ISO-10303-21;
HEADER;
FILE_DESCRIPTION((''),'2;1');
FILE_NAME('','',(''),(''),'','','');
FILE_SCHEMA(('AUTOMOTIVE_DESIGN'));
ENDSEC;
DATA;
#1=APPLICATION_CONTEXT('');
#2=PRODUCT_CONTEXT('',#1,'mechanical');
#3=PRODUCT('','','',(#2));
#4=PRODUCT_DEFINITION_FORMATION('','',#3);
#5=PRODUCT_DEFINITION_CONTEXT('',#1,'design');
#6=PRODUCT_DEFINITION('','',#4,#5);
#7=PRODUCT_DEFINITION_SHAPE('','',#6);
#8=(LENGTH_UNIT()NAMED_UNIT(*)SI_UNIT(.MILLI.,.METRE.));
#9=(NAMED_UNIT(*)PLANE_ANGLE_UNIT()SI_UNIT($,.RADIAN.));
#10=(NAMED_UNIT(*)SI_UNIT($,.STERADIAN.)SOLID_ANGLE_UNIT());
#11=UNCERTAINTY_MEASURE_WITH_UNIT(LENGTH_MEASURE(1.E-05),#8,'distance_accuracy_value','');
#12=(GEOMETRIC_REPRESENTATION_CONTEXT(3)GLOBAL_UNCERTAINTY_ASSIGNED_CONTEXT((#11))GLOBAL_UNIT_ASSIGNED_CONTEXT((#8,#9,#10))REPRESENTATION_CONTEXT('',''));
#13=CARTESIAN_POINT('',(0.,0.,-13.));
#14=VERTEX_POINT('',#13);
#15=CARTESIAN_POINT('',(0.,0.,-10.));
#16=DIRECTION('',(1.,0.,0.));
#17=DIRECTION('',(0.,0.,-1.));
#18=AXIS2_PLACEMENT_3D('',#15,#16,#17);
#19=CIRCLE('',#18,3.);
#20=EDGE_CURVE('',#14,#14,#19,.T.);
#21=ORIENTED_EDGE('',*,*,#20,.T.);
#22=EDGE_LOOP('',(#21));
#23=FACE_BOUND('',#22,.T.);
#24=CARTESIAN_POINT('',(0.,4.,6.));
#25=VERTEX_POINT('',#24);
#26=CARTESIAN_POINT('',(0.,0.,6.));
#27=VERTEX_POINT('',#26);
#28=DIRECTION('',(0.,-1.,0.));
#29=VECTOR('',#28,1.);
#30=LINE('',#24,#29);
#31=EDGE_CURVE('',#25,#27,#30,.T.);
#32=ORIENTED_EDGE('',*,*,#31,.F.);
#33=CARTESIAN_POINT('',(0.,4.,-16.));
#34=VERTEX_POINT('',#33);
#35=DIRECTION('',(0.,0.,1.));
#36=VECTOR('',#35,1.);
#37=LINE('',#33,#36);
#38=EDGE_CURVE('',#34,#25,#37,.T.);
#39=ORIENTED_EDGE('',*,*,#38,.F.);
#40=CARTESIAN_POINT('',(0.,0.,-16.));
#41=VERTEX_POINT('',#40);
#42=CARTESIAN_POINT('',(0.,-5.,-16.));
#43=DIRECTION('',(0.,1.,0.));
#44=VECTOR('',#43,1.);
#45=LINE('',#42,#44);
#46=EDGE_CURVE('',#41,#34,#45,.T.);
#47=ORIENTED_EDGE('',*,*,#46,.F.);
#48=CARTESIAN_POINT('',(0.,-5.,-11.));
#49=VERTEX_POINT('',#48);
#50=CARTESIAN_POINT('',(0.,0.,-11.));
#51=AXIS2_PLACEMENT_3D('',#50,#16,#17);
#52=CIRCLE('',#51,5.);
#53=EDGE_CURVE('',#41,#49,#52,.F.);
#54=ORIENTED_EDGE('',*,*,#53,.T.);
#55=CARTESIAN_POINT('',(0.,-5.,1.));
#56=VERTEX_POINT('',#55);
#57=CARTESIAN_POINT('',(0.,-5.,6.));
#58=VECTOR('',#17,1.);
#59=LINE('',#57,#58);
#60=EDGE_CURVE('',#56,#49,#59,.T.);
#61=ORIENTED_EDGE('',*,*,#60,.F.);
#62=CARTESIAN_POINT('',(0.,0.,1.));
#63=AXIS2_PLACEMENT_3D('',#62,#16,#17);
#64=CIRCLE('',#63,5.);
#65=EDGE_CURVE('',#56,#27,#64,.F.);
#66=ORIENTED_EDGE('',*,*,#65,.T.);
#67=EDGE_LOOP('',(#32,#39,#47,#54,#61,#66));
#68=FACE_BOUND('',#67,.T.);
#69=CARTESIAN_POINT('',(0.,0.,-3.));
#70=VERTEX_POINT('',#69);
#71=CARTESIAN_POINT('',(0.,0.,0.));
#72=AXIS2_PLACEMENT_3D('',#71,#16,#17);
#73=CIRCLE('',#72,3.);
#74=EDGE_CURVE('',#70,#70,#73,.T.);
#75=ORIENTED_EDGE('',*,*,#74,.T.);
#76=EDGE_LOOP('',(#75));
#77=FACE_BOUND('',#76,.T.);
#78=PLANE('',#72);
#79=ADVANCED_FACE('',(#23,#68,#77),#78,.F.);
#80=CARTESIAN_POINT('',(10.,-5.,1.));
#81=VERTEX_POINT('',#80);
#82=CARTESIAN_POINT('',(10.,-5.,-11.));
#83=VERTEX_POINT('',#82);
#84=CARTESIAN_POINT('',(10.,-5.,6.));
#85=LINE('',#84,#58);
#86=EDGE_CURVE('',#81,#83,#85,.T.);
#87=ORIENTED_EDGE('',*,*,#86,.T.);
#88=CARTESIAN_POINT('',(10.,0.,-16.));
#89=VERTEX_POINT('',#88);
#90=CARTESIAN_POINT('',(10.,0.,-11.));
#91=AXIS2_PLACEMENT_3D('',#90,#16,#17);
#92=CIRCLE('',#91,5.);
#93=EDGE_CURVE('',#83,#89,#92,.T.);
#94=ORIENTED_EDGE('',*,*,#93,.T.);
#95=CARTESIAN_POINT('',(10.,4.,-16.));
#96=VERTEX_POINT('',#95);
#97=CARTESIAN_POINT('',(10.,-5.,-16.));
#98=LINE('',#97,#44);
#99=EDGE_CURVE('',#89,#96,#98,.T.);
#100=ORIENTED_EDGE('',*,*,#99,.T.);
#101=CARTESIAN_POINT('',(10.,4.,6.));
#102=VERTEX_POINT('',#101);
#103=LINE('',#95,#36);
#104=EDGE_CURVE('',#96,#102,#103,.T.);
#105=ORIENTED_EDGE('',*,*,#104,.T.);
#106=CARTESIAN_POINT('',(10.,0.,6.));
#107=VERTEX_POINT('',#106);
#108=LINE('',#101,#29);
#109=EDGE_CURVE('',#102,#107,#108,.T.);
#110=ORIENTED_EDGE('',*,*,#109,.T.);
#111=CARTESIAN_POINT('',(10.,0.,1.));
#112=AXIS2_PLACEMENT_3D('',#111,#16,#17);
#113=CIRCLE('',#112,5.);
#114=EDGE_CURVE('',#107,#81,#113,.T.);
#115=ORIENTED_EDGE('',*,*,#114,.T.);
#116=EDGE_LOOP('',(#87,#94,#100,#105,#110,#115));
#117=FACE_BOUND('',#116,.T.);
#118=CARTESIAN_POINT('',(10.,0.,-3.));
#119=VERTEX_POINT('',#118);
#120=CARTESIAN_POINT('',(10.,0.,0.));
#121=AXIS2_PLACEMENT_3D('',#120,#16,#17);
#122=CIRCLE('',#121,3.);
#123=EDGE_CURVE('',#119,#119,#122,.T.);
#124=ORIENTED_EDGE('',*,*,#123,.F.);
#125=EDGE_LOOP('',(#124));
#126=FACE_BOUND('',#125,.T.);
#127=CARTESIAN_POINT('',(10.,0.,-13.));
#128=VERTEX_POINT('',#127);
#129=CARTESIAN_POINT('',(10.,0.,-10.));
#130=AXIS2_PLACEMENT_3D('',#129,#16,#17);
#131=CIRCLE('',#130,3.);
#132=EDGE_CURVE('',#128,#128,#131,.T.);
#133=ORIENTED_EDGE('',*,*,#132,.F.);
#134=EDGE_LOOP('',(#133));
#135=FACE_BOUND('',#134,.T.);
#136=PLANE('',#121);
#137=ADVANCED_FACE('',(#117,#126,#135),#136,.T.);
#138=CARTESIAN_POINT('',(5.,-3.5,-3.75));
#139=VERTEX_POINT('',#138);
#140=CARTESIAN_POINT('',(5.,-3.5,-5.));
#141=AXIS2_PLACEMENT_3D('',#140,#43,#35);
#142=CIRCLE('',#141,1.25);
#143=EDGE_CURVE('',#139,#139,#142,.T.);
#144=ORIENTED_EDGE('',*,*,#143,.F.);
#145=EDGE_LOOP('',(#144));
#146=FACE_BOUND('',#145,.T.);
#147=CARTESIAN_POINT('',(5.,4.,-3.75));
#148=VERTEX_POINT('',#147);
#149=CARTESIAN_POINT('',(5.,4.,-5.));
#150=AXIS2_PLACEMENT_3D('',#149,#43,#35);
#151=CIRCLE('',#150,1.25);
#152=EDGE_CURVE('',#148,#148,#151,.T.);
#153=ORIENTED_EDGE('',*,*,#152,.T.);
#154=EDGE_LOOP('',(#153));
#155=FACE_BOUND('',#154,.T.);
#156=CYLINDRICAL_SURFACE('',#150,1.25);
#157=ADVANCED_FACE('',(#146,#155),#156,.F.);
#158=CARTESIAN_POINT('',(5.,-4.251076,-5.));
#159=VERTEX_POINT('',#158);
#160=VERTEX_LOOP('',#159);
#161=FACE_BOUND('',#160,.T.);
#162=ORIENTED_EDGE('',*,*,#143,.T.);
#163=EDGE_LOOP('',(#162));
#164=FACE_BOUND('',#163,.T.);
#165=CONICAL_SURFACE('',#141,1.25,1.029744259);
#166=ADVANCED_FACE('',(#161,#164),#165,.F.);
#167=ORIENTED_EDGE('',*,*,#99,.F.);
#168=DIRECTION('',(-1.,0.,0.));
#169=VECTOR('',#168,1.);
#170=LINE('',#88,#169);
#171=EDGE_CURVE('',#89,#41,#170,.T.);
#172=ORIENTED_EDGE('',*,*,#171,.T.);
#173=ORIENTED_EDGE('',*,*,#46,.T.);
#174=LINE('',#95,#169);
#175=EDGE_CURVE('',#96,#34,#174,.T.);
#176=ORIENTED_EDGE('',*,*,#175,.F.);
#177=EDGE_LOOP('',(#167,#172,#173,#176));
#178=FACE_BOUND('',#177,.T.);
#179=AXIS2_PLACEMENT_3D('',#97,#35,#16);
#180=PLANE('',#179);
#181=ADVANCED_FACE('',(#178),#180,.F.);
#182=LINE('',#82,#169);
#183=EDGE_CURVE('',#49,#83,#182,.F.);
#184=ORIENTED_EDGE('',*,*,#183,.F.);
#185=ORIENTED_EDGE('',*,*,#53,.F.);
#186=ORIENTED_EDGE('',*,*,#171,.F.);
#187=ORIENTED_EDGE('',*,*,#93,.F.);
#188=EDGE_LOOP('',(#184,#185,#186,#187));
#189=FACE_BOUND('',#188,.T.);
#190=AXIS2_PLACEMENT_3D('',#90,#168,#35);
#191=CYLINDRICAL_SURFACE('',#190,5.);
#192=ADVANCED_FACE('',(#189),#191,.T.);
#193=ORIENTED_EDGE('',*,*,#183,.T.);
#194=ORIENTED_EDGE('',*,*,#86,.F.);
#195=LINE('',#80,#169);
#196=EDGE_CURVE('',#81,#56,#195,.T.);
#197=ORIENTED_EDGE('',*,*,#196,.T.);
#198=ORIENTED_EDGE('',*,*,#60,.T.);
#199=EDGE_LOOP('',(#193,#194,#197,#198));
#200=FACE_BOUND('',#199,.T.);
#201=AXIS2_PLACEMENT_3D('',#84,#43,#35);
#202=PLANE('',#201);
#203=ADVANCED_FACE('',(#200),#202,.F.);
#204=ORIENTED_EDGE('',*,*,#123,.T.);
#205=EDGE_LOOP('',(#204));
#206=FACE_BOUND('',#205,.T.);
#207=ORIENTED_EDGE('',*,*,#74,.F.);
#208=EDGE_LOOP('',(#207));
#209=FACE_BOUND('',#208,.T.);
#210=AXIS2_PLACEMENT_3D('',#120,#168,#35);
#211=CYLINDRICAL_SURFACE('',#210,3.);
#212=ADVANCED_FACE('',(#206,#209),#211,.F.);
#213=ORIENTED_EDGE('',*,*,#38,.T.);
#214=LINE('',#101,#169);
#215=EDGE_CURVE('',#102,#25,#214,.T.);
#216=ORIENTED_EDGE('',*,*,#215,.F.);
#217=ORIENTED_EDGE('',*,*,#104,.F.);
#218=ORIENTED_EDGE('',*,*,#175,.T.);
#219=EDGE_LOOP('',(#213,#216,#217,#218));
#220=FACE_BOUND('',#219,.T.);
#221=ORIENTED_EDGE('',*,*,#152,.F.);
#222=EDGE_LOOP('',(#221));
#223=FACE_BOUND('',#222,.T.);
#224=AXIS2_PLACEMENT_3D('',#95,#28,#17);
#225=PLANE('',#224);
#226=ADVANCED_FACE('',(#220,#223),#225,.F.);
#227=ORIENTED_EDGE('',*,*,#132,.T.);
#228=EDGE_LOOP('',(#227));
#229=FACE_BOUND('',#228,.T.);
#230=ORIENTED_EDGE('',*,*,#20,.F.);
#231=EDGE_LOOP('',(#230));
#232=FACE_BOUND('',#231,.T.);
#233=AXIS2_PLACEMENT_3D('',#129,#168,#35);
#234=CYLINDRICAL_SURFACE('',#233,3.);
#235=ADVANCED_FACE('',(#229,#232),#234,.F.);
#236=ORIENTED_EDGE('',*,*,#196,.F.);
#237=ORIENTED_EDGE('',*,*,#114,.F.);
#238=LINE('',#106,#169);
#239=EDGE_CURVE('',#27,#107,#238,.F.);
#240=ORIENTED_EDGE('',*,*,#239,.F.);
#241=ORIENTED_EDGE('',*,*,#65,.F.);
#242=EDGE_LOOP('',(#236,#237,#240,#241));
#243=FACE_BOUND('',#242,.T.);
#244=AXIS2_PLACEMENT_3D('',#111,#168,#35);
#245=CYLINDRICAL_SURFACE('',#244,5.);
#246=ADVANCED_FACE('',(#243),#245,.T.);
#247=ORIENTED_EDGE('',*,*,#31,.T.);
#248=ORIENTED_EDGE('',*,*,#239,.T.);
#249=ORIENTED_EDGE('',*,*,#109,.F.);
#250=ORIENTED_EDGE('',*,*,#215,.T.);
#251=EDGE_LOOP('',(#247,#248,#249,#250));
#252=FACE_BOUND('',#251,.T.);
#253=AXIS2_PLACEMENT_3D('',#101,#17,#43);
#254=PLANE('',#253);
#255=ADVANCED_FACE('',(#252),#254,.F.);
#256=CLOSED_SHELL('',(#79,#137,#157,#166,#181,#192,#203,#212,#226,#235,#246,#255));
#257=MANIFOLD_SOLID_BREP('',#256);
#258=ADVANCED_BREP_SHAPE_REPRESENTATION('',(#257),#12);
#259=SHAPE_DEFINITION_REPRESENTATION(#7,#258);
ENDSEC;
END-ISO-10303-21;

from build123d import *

# Parameters (mm, degrees)
SKETCH1_W             = 22
SKETCH1_H             = 9
SKETCH1_R             = 3
BOSS_EXTRUDE1_DEPTH   = 10
FILLET1_R             = 5
M3_TAPPED_HOLE1_D     = 2.5
M3_TAPPED_HOLE1_DEPTH = 7.5
M3_TAPPED_HOLE1_TIP   = 0.751075774


with BuildPart() as part:
    # Sketch1 → Boss-Extrude1 (new body)
    with BuildSketch(Plane(origin=(0, 0, 0), x_dir=(0, 0, -1), z_dir=(1, 0, 0))):
        with Locations((5, -0.5)):
            Rectangle(SKETCH1_W, SKETCH1_H)
        Circle(SKETCH1_R, mode=Mode.SUBTRACT)
        with Locations((10, 0)):
            Circle(SKETCH1_R, mode=Mode.SUBTRACT)
    extrude(amount=BOSS_EXTRUDE1_DEPTH)

    # Fillet1
    fillet1_edges = [part.edges().sort_by_distance(p)[0] for p in [
        (5, -5, -16),
        (5, -5, 6),
    ]]
    fillet(fillet1_edges, radius=FILLET1_R)

    # M3 Tapped Hole1
    with Locations(Plane(origin=(0, 4, 0), x_dir=(1, 0, 0), z_dir=(0, 1, 0))):
        with Locations((5, 5)):
            Hole(M3_TAPPED_HOLE1_D / 2, depth=M3_TAPPED_HOLE1_DEPTH)
            with Locations((0, 0, -(M3_TAPPED_HOLE1_DEPTH + M3_TAPPED_HOLE1_TIP / 2))):  # 118° drill point
                Cone(0, M3_TAPPED_HOLE1_D / 2, M3_TAPPED_HOLE1_TIP, mode=Mode.SUBTRACT)


solid = part.part
